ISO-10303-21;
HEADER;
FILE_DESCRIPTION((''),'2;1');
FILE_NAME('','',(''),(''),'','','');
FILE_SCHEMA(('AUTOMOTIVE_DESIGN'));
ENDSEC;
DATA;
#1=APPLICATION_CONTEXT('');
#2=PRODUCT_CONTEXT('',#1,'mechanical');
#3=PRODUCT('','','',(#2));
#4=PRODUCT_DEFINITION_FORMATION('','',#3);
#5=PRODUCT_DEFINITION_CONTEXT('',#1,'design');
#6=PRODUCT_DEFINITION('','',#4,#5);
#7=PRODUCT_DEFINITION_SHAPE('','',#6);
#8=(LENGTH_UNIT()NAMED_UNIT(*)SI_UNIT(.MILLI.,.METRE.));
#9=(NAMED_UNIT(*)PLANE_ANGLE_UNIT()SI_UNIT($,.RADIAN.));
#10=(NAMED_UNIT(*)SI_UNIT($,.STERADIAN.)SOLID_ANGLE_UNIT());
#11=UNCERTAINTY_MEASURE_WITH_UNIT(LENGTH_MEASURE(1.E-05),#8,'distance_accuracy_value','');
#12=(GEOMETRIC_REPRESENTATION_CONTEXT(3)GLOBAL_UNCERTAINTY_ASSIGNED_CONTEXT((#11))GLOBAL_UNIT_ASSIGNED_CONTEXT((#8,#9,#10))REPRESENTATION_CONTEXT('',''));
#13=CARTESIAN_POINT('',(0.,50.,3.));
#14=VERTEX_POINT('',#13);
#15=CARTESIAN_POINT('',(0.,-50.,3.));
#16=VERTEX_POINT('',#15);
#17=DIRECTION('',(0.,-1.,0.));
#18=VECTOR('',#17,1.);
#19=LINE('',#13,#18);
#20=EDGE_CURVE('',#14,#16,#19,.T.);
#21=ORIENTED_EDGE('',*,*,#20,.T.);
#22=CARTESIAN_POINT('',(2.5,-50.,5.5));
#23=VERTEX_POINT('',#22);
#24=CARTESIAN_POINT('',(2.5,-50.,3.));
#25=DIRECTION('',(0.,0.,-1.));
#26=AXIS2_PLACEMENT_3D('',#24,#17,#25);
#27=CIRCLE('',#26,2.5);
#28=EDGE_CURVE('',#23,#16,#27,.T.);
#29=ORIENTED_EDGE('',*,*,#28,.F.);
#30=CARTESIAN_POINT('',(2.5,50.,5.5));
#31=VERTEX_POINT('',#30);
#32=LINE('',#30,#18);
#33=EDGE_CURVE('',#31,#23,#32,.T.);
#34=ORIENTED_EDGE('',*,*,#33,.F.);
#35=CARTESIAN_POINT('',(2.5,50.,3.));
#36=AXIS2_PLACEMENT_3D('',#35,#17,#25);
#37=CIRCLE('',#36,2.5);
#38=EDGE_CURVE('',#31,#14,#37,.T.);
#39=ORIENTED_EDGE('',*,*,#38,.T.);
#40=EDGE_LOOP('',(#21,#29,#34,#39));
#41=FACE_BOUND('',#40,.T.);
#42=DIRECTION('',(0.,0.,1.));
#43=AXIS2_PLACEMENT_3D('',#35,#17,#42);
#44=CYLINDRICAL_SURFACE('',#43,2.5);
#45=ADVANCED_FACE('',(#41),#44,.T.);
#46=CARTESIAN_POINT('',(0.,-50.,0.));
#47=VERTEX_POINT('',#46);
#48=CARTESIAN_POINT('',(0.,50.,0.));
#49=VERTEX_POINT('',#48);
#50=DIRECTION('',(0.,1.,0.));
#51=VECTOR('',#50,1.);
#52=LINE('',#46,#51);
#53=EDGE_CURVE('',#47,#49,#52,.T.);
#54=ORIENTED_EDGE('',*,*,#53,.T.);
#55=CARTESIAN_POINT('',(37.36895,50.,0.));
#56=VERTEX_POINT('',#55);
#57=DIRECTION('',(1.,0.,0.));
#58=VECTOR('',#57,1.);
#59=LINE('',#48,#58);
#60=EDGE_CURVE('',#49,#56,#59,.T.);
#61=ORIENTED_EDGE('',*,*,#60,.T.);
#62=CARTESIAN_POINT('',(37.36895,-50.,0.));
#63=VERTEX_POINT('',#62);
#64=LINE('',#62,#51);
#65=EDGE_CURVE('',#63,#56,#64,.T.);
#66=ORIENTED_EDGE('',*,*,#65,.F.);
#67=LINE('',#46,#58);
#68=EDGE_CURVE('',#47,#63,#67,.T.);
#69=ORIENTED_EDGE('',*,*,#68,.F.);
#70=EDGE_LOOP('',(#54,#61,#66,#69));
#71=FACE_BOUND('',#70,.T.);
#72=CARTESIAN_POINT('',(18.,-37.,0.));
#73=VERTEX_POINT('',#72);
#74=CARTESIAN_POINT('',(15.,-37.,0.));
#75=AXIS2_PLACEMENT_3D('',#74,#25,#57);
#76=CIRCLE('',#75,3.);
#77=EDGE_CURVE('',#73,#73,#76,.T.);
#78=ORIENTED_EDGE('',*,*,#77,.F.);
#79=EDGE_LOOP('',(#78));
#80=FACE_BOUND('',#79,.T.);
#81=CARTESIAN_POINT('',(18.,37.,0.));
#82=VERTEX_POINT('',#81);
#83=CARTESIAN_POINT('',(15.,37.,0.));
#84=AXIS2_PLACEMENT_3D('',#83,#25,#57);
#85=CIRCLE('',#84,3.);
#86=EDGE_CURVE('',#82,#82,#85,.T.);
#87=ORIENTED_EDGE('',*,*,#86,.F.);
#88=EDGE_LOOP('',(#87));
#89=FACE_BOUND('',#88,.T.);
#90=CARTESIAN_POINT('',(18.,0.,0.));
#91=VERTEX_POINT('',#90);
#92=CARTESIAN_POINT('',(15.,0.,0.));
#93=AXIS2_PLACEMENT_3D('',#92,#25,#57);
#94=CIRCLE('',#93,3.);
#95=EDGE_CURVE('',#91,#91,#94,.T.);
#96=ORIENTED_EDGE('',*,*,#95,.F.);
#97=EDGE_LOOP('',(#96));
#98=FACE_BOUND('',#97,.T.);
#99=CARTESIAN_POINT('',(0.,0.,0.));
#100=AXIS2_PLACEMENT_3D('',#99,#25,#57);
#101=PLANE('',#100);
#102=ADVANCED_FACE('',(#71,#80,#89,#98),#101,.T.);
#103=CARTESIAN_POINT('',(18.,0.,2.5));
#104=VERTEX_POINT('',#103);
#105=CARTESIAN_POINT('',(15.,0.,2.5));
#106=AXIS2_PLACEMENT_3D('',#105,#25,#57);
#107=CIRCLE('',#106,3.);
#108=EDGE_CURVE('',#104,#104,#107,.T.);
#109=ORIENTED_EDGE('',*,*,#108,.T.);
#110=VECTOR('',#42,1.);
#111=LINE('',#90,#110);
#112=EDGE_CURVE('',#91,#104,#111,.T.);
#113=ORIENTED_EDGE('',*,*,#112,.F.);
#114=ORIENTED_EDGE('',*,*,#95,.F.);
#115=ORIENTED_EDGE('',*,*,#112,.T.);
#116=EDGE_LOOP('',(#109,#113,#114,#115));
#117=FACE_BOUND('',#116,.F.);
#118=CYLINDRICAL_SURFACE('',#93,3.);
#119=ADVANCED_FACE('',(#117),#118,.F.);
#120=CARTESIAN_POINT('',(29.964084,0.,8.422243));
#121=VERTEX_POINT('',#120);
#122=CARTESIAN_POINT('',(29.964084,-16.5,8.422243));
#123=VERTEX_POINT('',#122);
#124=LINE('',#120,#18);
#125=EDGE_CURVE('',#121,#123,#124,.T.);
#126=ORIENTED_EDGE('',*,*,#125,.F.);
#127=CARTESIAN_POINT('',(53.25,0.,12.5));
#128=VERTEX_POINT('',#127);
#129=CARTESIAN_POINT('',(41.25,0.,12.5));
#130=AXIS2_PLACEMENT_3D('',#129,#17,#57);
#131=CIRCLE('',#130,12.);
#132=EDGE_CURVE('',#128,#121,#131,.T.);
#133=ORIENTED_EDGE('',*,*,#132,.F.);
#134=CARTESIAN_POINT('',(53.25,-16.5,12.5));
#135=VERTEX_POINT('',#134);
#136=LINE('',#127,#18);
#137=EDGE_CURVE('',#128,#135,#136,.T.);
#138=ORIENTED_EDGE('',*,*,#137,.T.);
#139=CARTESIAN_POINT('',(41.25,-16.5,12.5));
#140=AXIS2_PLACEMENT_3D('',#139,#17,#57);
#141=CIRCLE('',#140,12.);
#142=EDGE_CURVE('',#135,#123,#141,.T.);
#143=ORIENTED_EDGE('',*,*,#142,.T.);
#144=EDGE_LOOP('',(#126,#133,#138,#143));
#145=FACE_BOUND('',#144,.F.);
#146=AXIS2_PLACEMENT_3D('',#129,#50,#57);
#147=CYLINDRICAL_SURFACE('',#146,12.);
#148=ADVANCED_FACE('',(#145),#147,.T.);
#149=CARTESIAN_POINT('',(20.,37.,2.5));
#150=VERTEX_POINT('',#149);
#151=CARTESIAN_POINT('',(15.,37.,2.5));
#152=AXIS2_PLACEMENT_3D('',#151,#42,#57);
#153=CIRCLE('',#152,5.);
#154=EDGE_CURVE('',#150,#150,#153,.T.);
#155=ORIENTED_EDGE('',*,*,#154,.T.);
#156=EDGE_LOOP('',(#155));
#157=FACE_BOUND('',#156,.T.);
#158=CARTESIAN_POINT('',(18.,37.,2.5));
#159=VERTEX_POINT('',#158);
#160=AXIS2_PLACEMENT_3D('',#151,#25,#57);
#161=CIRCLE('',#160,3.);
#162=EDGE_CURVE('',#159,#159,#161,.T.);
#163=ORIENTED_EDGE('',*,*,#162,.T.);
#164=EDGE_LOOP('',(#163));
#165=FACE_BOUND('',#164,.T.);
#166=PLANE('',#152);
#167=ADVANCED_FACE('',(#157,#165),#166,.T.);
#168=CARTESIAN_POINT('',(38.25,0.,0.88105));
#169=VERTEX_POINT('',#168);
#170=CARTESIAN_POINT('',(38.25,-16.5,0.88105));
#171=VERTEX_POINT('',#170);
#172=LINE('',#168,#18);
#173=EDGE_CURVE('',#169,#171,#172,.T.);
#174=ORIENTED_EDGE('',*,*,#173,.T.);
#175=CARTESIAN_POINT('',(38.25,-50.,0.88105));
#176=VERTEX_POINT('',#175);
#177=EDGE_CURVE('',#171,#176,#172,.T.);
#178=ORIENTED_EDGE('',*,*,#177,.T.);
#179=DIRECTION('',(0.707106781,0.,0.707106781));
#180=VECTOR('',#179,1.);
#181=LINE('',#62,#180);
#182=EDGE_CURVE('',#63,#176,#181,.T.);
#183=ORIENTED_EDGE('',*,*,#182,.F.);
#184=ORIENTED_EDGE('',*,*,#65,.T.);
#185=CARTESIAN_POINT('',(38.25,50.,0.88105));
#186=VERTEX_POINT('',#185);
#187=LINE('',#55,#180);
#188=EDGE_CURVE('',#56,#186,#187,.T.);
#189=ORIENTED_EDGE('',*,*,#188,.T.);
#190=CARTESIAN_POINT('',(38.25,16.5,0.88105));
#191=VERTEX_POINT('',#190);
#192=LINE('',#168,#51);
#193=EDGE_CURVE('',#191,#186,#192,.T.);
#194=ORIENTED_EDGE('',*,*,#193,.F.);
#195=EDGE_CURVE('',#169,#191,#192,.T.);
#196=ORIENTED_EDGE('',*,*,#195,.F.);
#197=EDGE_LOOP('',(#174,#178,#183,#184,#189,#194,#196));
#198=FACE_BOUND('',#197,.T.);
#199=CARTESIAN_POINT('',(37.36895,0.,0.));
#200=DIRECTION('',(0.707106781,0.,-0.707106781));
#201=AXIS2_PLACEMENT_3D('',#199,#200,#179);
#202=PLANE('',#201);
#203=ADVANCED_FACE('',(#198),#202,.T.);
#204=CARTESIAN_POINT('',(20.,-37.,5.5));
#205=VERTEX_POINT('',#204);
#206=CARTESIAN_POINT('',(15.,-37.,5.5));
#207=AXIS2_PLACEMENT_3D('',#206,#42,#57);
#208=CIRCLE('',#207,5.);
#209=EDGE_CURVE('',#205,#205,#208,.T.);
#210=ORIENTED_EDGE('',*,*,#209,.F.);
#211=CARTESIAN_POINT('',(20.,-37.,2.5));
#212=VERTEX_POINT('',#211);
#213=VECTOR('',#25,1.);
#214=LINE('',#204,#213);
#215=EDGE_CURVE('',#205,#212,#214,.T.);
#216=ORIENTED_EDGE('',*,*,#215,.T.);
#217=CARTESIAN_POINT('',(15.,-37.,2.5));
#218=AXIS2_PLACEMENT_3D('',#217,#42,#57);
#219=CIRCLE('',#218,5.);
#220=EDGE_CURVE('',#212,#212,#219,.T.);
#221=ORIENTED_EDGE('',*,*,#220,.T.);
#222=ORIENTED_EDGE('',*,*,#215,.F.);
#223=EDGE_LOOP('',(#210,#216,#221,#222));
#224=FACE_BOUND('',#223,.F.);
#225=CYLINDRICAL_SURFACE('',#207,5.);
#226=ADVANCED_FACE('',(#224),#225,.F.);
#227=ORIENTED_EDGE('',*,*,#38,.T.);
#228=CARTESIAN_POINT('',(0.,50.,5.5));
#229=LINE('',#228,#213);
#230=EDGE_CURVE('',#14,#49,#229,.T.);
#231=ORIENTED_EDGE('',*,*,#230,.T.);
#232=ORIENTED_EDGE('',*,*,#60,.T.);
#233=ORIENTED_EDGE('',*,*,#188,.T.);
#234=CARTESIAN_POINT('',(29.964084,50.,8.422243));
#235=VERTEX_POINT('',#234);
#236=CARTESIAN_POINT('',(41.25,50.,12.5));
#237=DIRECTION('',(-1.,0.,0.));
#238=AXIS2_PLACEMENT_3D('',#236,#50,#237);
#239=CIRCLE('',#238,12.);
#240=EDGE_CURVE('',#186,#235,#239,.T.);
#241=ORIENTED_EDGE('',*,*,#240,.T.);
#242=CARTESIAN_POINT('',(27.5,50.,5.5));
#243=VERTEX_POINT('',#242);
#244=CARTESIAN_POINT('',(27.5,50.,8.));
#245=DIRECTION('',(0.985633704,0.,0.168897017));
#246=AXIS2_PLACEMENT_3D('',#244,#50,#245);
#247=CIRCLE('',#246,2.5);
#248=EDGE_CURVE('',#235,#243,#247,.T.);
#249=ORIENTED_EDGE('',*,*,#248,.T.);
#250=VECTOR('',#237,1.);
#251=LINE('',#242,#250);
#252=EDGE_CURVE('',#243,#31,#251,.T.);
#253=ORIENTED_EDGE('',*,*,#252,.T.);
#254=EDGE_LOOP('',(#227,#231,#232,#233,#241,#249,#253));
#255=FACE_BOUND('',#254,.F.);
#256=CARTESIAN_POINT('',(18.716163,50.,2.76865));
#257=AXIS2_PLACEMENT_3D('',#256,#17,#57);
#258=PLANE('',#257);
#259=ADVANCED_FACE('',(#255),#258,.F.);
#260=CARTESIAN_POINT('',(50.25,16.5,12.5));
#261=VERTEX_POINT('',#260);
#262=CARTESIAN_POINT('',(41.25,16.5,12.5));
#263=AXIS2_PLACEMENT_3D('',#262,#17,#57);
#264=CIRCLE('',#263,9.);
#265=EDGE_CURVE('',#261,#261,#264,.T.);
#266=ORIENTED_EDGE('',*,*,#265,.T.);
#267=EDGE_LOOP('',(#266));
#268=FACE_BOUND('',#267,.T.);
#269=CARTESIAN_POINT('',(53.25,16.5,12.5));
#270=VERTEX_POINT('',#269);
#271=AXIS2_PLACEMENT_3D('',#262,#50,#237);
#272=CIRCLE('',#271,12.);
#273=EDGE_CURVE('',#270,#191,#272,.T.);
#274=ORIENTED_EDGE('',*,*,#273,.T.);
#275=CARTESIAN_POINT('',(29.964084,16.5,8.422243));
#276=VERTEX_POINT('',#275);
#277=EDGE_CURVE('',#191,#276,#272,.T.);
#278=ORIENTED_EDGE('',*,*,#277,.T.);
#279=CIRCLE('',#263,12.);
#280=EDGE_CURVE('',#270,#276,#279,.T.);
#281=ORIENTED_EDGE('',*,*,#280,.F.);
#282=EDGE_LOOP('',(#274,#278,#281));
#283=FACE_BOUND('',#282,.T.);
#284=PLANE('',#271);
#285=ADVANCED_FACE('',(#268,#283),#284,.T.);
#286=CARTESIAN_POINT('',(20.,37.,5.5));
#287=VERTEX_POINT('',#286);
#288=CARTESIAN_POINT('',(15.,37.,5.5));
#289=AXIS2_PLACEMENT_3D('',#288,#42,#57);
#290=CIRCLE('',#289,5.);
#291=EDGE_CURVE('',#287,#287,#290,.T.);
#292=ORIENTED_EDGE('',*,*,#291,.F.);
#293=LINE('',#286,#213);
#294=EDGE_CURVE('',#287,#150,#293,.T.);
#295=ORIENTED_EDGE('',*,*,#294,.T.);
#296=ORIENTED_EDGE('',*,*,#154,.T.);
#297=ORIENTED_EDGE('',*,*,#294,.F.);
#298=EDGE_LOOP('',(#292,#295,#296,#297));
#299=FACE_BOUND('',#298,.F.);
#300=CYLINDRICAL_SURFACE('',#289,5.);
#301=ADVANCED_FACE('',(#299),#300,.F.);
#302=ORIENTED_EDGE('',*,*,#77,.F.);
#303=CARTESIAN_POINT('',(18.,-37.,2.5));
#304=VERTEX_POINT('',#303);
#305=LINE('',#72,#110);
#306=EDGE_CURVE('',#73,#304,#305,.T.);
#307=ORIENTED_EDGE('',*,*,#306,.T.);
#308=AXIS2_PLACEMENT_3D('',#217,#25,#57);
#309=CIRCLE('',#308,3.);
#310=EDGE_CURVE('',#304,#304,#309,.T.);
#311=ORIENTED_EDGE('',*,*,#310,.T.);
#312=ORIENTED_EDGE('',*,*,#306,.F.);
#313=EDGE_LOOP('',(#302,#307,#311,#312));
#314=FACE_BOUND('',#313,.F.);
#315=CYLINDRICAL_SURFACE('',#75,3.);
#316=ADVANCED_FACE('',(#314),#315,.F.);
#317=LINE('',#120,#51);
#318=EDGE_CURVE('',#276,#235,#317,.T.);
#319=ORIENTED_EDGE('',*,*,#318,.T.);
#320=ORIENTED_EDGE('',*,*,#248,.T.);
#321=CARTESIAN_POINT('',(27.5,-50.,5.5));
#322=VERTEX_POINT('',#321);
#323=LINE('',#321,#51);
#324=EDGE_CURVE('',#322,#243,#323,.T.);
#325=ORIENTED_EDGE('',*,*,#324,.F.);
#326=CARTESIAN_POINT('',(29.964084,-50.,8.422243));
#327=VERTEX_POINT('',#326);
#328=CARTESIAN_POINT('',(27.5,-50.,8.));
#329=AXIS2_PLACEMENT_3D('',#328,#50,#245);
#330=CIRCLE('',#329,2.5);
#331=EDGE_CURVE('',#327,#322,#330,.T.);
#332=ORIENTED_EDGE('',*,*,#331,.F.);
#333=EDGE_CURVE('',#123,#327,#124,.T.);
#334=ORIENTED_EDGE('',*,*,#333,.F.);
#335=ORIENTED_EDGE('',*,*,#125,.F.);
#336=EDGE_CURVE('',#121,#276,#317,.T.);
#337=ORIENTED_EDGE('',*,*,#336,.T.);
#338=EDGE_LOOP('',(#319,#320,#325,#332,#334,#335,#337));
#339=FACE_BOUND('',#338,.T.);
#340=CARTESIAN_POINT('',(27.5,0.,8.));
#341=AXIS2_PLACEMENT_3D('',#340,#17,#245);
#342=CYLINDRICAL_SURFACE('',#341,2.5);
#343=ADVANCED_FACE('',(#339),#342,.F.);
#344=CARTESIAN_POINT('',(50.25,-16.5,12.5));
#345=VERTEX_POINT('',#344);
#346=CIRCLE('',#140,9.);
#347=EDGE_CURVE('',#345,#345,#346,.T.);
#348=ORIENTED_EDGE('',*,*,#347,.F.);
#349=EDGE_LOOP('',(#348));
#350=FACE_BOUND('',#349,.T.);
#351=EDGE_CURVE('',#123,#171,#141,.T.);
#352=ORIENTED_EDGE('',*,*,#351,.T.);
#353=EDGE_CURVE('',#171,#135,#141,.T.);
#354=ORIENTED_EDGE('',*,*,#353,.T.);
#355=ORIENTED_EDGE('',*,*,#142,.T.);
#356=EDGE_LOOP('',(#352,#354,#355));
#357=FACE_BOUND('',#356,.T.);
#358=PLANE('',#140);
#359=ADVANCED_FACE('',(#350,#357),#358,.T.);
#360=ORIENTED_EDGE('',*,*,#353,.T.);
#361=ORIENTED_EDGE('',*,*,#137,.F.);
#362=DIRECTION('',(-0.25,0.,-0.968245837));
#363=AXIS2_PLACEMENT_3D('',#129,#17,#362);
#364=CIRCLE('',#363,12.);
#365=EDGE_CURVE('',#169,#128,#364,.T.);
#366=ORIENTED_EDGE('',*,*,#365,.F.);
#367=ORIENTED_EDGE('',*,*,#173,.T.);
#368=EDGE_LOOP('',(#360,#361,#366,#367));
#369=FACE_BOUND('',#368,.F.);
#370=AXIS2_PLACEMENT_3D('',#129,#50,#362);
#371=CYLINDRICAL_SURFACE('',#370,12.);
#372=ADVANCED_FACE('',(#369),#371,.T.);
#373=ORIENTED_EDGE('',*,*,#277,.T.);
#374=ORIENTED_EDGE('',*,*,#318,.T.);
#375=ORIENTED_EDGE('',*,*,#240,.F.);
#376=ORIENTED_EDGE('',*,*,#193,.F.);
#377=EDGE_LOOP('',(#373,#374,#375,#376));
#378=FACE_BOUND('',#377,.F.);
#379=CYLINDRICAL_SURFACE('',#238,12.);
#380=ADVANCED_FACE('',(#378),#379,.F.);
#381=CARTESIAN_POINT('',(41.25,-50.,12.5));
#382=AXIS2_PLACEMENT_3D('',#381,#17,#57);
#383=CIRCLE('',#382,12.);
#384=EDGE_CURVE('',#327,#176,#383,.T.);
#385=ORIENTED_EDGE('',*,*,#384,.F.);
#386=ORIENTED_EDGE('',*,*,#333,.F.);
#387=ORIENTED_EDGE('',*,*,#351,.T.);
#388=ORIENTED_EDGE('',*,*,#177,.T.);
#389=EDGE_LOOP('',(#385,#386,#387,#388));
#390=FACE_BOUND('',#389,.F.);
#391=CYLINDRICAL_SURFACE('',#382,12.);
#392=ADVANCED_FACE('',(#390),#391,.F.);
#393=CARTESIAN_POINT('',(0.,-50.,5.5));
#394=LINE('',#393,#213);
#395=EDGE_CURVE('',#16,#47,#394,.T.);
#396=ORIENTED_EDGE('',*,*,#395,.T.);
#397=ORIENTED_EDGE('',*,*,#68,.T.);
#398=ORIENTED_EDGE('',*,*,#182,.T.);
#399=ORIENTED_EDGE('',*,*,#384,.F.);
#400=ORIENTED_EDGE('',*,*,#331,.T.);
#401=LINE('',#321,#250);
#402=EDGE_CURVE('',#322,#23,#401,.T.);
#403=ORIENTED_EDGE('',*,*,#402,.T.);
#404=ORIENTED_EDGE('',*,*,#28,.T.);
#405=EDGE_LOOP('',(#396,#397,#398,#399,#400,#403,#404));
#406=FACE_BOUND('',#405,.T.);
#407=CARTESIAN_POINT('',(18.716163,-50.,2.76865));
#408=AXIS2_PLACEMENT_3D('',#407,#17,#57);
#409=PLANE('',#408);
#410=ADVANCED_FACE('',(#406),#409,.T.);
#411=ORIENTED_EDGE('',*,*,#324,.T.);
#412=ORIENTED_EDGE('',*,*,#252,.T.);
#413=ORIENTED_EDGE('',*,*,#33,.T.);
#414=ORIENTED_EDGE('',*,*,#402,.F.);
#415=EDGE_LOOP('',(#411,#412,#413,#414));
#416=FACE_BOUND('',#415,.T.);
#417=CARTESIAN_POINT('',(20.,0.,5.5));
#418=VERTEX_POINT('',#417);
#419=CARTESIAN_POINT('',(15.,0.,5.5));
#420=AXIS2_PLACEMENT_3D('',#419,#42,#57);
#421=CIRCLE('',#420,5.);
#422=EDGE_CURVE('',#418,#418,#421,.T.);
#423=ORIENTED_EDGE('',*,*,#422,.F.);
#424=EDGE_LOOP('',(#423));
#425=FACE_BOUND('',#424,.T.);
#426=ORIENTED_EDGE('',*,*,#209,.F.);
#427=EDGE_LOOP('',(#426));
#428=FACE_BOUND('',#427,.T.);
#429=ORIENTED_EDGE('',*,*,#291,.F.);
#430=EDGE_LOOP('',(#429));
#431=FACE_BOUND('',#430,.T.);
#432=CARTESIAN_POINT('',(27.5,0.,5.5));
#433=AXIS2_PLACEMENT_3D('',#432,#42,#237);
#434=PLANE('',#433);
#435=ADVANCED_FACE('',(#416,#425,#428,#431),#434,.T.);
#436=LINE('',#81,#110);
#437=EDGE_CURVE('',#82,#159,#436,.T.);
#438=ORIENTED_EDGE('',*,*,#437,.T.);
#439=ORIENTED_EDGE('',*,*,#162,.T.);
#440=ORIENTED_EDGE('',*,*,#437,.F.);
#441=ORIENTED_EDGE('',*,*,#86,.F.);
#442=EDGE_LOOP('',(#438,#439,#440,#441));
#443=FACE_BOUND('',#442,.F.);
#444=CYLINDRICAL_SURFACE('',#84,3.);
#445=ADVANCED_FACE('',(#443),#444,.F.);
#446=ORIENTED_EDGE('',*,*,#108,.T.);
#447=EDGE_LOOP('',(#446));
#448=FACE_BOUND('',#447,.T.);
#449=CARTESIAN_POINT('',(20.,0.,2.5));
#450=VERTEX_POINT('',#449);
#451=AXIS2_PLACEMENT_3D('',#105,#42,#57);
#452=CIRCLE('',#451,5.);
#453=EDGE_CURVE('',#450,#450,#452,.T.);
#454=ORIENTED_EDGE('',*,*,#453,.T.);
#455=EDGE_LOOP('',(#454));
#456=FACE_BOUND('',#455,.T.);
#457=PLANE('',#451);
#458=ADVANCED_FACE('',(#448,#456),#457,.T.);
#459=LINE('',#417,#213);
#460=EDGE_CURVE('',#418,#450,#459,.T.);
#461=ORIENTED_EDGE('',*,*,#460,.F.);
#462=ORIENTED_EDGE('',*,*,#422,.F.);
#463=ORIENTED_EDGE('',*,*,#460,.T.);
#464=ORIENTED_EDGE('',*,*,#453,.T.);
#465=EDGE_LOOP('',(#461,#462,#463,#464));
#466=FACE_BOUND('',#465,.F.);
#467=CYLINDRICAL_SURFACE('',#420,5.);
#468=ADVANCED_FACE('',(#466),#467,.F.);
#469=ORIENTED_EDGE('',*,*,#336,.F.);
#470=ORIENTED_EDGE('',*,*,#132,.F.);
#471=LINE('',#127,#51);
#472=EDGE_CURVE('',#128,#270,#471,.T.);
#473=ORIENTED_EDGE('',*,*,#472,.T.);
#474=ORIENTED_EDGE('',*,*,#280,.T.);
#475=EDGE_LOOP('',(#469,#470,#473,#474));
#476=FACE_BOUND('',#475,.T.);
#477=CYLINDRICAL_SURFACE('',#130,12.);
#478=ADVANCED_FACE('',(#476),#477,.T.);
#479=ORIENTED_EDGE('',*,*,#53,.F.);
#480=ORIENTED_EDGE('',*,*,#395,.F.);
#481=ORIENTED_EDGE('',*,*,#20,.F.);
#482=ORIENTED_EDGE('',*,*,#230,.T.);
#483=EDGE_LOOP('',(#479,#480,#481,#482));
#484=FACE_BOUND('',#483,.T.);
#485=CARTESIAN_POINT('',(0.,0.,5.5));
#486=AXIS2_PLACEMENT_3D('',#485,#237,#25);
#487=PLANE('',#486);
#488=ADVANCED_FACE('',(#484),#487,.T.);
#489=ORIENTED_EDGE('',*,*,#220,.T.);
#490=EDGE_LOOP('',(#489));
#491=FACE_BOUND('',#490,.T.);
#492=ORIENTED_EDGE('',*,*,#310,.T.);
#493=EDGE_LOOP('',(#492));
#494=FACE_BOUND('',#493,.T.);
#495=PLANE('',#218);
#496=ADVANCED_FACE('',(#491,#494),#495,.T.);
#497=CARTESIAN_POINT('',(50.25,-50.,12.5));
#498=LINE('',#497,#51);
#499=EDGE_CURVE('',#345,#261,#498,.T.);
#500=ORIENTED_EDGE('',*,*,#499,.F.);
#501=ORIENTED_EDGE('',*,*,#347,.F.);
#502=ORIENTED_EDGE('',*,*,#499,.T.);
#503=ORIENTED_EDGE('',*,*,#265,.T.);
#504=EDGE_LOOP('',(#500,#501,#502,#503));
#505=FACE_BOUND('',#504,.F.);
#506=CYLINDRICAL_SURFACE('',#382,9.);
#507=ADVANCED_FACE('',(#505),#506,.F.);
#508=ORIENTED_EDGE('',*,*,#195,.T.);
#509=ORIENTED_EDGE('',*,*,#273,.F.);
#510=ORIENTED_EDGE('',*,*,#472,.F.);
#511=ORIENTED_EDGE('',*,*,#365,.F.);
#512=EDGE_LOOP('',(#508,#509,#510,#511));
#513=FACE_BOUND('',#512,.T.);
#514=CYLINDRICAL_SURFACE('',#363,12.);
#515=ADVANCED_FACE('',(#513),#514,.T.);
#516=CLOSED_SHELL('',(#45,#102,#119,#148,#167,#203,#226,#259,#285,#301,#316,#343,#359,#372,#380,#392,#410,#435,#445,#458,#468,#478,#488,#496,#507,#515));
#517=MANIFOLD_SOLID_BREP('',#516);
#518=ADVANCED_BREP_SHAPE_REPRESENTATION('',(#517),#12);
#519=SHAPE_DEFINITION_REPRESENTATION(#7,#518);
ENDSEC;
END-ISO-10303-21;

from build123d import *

# Parameters (mm, degrees)
F1_DEPTH  = 50
F2_R      = 2.5
F3_R      = 9
F4_DEPTH  = 100
F5_R      = 12
F7_DEPTH  = 33.5
F6_R      = 12
F8_DEPTH  = 33.5
F9_R      = 5
F11_DEPTH = 3
F10_R     = 3
F12_DEPTH = 2.5


with BuildPart() as f1:
    # F0 (on Front) → F1 (new body, symmetric)
    with BuildSketch(Plane.XZ):
        with BuildLine():
            Line((27.5, 5.5), (0, 5.5))
            Line((0, 5.5), (0, 0))
            Line((0, 0), (37.3689500386, 0))
            Line((37.3689500386, 0), (38.25, 0.8810499614))
            ThreePointArc((38.25, 0.8810499614), (33.172918626, 3.6252742871), (29.9640842591, 8.4222425415))
            ThreePointArc((29.9640842591, 8.4222425415), (29.4112308016, 6.388417913), (27.5, 5.5))
        make_face()
        with BuildLine():
            ThreePointArc((53.25, 12.5), (39.1800952788, 24.320130898), (29.9640842591, 8.4222425415))
            ThreePointArc((29.9640842591, 8.4222425415), (33.172918626, 3.6252742871), (38.25, 0.8810499614))
            ThreePointArc((38.25, 0.8810499614), (48.5984692283, 3.0131670195), (53.25, 12.5))
        make_face()
    extrude(amount=F1_DEPTH, both=True)

    # F2
    f2_edges = [f1.edges().sort_by_distance(p)[0] for p in [
        (0, 0, 5.5),
    ]]
    fillet(f2_edges, radius=F2_R)

    # F3 (on face) → F4 (cut, through all)
    with BuildSketch(Plane.XZ.offset(50)):
        with Locations((41.25, 12.5)):
            Circle(F3_R)
    extrude(amount=-F4_DEPTH, mode=Mode.SUBTRACT)

    # F5 (on face) → F7 (cut)
    with BuildSketch(Plane.XZ.offset(50)):
        with Locations((41.25, 12.5)):
            Circle(F5_R)
    extrude(amount=-F7_DEPTH, mode=Mode.SUBTRACT)

    # F6 (on face) → F8 (cut)
    with BuildSketch(Plane(origin=(0, 50, 0), x_dir=(-1, 0, 0), z_dir=(0, 1, 0))):
        with Locations((-41.25, 12.5)):
            Circle(F6_R)
    extrude(amount=-F8_DEPTH, mode=Mode.SUBTRACT)

    # F9 (on face) → F11 (cut)
    with BuildSketch(Plane.XY.offset(5.5)):
        with Locations((15, 0)):
            Circle(F9_R)
        with Locations((15, 37)):
            Circle(F9_R)
        with Locations((15, -37)):
            Circle(F9_R)
    extrude(amount=-F11_DEPTH, mode=Mode.SUBTRACT)

    # F10 (on face) → F12 (cut, through all)
    with BuildSketch(Plane(origin=(0, 0, 0), x_dir=(1, 0, 0), z_dir=(0, 0, -1))):
        with Locations((15, -37)):
            Circle(F10_R)
        with Locations((15, 0)):
            Circle(F10_R)
        with Locations((15, 37)):
            Circle(F10_R)
    extrude(amount=-F12_DEPTH, mode=Mode.SUBTRACT)


solid = f1.part
